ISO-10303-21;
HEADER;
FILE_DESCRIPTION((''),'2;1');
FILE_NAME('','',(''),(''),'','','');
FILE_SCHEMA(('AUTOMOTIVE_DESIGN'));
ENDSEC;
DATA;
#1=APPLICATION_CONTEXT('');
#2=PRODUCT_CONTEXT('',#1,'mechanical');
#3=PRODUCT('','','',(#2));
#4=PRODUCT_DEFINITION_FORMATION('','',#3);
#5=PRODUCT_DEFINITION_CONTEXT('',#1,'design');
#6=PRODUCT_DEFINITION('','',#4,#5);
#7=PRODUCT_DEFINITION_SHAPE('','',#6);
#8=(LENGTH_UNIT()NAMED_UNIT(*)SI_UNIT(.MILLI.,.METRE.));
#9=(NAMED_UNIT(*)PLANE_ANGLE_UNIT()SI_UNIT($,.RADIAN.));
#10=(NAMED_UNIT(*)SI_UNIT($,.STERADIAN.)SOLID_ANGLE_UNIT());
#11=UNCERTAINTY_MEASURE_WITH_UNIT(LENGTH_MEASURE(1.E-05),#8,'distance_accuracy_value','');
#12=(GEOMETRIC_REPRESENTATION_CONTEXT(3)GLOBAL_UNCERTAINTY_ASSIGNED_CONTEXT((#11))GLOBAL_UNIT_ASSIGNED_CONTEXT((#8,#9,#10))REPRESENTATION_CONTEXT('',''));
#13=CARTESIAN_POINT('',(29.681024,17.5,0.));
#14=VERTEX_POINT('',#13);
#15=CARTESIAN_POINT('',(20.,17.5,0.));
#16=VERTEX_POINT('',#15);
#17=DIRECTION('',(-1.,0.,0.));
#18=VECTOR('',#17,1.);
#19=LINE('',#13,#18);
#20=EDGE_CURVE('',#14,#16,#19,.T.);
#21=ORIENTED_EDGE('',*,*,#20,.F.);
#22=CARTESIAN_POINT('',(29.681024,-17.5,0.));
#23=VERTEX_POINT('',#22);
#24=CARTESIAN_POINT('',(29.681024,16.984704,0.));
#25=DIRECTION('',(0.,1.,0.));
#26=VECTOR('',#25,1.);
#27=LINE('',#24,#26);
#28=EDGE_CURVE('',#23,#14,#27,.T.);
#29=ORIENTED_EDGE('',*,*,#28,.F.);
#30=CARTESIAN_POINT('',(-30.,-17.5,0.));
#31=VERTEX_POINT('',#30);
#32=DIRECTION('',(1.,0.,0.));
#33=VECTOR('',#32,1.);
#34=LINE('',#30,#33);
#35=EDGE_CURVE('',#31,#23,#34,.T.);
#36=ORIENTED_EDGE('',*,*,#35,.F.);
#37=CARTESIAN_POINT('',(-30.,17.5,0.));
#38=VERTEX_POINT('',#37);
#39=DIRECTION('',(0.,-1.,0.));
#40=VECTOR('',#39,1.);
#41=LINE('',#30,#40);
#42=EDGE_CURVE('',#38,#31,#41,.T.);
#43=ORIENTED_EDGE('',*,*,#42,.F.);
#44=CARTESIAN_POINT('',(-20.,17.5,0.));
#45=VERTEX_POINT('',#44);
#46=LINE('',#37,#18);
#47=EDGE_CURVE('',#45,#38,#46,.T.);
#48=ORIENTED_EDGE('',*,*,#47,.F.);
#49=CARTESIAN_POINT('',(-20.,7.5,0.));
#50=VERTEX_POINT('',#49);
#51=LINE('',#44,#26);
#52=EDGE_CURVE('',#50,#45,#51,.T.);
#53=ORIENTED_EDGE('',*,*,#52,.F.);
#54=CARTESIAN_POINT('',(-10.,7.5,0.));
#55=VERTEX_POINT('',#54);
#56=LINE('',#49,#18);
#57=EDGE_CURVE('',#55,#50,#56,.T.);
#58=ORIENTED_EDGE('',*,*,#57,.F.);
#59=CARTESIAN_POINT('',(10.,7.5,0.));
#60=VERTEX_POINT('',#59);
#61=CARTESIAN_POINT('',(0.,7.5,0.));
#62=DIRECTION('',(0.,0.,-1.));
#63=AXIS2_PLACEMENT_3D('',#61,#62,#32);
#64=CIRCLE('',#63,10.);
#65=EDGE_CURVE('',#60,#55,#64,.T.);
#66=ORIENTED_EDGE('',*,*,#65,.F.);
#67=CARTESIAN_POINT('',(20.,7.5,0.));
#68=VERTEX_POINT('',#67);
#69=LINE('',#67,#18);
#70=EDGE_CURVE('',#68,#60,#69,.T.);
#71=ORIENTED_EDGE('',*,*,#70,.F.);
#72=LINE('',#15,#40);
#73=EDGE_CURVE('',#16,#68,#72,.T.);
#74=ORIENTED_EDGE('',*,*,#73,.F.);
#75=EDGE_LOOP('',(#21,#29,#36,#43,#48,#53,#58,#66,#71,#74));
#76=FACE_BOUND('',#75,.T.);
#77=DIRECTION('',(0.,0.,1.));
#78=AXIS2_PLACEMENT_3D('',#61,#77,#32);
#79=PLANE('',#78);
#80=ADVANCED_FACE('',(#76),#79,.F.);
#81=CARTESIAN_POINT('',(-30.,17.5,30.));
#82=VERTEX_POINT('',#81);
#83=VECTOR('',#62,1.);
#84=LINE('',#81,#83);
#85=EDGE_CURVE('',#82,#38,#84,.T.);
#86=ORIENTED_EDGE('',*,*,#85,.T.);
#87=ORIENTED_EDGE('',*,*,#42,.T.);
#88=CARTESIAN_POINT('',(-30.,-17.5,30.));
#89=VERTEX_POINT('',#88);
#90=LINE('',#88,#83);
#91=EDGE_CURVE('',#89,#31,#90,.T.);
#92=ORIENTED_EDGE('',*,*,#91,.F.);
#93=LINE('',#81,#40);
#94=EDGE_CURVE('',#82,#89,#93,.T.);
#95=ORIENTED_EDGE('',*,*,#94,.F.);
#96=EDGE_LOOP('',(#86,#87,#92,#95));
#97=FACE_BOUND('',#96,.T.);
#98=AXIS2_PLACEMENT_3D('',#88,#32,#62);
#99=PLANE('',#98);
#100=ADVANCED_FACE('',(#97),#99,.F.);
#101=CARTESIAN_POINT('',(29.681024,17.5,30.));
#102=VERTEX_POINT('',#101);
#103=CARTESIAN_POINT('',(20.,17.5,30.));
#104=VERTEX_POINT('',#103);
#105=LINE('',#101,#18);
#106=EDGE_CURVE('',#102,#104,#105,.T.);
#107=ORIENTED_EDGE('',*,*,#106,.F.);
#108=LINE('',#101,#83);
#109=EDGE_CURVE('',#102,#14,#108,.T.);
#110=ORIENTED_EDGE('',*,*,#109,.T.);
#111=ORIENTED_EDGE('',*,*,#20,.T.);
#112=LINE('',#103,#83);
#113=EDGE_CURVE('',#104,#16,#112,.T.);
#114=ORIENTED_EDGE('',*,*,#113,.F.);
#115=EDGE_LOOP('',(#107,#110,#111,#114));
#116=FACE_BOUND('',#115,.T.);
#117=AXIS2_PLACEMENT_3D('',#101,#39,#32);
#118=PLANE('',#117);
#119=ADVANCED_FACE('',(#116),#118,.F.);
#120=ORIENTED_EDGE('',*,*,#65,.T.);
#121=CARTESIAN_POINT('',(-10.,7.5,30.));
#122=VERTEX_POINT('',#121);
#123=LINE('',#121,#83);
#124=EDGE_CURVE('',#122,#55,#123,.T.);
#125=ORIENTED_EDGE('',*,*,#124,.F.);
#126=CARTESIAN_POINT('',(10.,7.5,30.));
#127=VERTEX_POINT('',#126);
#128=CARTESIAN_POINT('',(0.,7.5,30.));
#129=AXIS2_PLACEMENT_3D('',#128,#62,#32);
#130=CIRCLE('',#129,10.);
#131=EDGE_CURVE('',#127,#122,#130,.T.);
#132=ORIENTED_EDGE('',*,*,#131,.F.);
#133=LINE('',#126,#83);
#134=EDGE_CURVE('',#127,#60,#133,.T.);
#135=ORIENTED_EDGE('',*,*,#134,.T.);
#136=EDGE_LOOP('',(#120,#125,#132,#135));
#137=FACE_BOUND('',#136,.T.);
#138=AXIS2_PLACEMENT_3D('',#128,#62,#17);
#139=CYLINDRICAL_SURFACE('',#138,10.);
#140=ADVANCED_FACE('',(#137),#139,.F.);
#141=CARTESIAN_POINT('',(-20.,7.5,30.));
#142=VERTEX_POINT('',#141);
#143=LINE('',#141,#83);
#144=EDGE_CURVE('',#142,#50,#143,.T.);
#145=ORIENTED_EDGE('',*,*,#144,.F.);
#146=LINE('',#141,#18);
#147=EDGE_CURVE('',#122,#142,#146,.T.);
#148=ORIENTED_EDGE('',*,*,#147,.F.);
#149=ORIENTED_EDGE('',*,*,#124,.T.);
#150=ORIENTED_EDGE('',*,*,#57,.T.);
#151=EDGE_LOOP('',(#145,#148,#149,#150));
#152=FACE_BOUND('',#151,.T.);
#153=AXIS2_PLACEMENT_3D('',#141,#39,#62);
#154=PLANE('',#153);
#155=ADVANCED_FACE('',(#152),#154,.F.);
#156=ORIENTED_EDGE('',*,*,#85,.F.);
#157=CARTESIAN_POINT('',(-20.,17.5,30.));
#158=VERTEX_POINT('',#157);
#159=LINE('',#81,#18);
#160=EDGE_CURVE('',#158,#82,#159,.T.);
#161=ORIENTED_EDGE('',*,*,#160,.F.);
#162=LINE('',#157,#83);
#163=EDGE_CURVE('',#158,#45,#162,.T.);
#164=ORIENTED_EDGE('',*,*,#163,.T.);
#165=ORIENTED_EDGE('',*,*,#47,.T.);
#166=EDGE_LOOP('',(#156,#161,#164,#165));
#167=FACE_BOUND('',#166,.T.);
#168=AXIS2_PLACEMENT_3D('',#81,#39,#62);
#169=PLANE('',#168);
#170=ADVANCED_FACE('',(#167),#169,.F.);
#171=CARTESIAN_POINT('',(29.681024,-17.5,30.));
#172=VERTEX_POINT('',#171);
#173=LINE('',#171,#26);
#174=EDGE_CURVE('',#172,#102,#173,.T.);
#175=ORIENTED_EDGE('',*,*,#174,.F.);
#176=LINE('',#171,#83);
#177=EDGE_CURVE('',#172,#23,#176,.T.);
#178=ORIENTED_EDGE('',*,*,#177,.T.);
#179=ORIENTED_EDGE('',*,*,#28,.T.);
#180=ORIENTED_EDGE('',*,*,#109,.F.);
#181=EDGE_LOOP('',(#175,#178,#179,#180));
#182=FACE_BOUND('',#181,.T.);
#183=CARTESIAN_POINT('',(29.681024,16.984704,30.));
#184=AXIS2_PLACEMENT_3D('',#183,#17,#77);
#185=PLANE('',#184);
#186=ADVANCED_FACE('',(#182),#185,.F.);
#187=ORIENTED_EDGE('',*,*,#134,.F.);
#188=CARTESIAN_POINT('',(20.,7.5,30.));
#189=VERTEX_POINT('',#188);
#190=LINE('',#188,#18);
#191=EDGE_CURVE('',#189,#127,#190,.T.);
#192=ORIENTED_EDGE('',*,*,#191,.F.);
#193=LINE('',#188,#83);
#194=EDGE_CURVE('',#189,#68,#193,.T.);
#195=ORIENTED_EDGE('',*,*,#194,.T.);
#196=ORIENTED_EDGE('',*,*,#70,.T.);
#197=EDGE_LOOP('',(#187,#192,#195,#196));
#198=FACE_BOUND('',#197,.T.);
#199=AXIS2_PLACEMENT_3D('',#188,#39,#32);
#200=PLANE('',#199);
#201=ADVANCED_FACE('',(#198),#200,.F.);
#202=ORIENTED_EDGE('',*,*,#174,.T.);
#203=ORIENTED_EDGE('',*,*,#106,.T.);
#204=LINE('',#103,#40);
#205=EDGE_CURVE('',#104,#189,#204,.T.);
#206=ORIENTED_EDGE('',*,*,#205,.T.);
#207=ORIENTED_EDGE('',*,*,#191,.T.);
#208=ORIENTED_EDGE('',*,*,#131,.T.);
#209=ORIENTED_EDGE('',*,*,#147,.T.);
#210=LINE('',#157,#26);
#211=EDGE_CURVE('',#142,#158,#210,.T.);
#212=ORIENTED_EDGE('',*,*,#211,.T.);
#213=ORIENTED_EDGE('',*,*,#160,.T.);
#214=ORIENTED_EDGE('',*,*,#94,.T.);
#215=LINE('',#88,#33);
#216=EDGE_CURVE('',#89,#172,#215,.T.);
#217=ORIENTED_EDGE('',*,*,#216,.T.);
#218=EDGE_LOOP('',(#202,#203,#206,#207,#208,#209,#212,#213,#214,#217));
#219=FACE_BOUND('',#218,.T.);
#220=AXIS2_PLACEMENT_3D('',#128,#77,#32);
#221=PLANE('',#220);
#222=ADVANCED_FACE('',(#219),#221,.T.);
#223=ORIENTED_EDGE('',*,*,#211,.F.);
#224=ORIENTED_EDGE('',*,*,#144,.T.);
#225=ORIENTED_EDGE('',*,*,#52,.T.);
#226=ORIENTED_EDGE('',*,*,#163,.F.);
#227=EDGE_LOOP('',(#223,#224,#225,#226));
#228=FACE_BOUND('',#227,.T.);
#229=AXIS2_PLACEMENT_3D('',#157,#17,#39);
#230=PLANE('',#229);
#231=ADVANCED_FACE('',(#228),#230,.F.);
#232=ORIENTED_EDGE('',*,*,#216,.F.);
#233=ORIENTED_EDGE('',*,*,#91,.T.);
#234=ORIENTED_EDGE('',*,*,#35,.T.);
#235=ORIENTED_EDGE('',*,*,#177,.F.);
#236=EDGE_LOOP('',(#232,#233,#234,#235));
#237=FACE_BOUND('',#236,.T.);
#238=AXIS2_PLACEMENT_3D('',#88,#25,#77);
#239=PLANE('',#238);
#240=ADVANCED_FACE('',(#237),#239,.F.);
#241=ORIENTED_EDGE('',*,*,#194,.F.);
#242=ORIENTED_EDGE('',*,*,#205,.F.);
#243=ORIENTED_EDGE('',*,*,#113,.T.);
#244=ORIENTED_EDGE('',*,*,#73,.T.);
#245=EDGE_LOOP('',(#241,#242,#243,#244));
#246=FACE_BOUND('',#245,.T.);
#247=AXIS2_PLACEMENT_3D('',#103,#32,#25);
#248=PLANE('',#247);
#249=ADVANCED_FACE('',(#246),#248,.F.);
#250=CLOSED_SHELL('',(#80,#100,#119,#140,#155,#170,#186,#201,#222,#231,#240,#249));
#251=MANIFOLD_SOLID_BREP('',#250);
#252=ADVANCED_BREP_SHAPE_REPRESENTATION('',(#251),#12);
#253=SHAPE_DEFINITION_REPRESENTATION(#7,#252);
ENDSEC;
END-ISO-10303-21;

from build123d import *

# Parameters (mm, degrees)
BOSS_EXTRUDE2_DEPTH = 30


with BuildPart() as part:
    # Sketch1 → Boss-Extrude2 (new body)
    with BuildSketch(Plane.XY):
        with BuildLine():
            Line((-30, 17.5), (-20, 17.5))
            Line((-20, 17.5), (-20, 7.5))
            Line((-20, 7.5), (-10, 7.5))
            ThreePointArc((-10, 7.5), (0, -2.5), (10, 7.5))
            Line((10, 7.5), (20, 7.5))
            Line((20, 7.5), (20, 17.5))
            Line((20, 17.5), (29.681023884, 17.5))
            Line((29.681023884, 17.5), (29.681023884, 16.984704446))
            Line((29.681023884, 16.984704446), (29.681023884, -17.5))
            Line((29.681023884, -17.5), (-30, -17.5))
            Line((-30, -17.5), (-30, 16.984704446))
            Line((-30, 16.984704446), (-30, 17.5))
        make_face()
    extrude(amount=BOSS_EXTRUDE2_DEPTH)


solid = part.part
